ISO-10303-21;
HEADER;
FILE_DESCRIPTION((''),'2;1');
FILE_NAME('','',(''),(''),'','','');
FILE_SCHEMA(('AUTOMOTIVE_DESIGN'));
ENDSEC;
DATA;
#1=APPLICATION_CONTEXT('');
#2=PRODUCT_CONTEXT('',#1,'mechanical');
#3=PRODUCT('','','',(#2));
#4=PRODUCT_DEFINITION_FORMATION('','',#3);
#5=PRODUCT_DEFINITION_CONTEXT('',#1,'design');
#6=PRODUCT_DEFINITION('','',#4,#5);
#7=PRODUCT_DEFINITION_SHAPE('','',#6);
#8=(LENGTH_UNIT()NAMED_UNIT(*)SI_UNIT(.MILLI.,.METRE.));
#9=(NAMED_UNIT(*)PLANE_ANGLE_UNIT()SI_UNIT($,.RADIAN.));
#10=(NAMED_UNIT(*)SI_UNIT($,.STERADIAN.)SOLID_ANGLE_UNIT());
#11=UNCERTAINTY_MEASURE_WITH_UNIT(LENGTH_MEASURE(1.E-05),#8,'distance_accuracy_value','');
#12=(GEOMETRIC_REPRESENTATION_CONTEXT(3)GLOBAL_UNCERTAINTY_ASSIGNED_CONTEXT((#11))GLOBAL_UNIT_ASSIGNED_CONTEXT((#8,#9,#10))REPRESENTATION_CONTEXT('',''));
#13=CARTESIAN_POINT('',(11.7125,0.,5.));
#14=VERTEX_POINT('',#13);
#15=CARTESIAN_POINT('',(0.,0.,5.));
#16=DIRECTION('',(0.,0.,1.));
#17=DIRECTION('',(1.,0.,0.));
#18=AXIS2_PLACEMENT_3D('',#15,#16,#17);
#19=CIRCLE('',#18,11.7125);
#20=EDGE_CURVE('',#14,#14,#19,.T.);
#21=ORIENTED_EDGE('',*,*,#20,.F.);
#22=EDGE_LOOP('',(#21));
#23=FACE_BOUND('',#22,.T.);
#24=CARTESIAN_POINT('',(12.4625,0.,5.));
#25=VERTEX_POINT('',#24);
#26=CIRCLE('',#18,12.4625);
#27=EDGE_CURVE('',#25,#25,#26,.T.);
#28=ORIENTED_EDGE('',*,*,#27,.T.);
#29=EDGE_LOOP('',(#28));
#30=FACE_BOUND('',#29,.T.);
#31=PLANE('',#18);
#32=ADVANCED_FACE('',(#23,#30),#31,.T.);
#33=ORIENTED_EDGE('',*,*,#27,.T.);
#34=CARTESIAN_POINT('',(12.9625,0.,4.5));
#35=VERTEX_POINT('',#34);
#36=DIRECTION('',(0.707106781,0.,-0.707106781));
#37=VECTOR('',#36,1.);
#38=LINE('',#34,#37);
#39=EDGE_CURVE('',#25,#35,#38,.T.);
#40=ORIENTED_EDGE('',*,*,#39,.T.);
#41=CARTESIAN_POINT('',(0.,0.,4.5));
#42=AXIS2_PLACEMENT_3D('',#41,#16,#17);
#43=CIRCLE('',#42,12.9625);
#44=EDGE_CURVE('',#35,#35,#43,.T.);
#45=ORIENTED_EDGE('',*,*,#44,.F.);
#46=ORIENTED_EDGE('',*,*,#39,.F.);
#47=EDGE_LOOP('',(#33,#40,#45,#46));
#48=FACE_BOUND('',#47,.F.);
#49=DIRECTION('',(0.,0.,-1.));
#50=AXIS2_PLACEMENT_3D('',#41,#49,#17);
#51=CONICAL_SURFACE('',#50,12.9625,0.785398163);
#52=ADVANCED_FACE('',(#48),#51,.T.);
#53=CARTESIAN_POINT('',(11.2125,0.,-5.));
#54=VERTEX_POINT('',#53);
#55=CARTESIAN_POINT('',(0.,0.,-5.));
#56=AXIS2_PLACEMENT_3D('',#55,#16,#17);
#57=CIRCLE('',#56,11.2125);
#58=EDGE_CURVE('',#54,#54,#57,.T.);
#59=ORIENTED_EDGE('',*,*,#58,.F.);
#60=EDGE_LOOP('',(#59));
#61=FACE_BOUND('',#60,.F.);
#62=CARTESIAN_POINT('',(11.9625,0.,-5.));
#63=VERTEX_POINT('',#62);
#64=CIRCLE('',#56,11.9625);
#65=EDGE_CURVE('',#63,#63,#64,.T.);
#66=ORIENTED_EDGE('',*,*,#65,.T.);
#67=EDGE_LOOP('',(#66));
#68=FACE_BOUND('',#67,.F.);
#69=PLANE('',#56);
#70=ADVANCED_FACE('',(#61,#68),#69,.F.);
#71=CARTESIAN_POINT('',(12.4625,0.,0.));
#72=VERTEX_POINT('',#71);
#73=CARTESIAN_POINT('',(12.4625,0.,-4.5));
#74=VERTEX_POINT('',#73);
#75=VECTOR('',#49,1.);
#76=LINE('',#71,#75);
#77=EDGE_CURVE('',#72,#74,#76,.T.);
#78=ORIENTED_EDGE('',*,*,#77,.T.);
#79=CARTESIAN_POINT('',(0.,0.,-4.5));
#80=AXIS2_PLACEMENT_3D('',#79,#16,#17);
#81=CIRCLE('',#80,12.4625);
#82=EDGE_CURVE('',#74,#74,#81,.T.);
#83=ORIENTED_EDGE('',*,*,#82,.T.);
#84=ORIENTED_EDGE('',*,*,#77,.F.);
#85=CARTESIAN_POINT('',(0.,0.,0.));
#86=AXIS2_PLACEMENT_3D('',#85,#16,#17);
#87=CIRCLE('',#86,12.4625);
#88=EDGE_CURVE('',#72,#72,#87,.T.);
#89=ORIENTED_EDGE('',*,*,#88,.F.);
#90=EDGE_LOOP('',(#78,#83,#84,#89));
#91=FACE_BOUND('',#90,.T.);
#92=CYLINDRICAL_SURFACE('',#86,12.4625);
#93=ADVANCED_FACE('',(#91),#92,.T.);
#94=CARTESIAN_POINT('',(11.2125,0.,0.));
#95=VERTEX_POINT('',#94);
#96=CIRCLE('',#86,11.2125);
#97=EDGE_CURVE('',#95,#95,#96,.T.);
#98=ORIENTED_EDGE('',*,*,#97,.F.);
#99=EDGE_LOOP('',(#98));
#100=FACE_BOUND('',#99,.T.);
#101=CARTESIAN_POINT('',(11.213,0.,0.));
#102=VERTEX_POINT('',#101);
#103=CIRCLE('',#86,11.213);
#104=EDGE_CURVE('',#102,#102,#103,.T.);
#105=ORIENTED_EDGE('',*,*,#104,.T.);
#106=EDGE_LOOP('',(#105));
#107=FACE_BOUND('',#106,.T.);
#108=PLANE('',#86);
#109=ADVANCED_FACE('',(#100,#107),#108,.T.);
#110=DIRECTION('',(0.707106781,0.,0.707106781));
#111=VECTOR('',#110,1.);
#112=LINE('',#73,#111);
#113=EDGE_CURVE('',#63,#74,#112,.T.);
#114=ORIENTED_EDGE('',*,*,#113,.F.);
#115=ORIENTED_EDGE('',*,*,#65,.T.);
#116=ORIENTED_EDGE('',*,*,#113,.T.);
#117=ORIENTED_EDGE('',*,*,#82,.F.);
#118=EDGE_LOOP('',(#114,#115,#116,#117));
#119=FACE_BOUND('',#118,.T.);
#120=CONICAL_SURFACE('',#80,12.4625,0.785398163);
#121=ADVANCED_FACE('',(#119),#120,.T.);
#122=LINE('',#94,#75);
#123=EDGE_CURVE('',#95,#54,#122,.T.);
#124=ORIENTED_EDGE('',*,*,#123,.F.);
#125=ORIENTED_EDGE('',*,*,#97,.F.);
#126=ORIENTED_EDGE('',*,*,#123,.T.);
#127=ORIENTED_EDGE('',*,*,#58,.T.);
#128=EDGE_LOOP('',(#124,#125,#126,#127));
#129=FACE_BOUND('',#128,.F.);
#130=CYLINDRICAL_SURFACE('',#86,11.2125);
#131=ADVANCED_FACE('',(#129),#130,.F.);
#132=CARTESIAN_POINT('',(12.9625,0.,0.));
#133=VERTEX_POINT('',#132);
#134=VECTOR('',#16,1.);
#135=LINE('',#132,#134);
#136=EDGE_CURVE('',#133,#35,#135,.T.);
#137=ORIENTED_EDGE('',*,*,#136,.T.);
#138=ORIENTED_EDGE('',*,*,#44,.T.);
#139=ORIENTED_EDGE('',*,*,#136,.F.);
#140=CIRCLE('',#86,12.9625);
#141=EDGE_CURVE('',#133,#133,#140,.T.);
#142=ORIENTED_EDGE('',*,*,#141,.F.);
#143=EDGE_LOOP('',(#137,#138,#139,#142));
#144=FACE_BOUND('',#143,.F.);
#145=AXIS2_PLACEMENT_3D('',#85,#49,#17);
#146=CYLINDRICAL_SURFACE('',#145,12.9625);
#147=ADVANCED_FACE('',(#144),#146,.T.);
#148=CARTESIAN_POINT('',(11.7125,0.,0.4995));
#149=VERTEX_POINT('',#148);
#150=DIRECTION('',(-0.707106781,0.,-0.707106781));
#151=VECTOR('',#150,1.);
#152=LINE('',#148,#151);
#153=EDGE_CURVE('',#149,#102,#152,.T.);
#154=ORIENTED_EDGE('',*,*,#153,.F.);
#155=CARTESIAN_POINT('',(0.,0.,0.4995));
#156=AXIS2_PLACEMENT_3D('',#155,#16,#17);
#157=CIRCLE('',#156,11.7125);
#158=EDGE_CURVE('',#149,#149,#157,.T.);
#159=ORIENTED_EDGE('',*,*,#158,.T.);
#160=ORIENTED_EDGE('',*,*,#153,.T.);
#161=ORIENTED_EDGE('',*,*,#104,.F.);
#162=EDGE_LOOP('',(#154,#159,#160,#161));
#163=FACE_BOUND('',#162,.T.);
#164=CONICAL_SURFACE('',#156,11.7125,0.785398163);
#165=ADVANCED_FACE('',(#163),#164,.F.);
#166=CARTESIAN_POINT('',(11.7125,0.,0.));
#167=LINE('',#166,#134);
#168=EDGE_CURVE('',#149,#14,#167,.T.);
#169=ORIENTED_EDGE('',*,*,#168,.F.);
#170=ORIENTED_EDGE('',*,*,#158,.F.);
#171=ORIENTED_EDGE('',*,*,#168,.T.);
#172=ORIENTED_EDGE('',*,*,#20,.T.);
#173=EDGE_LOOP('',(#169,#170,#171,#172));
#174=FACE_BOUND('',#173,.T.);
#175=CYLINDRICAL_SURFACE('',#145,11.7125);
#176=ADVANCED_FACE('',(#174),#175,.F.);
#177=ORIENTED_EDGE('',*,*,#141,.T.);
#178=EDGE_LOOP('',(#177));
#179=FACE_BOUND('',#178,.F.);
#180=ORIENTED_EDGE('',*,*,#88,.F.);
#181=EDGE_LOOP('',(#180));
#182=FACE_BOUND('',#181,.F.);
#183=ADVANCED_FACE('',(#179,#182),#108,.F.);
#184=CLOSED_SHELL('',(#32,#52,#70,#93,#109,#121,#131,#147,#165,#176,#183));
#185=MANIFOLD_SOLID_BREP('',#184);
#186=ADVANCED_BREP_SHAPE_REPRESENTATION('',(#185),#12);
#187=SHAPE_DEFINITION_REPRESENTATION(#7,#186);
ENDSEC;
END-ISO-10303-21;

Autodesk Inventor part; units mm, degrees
ref_plane "YZ Plane" through (0, 0, 0) normal (1, 0, 0) x (0, 1, 0)
ref_plane "XZ Plane" through (0, 0, 0) normal (0, 1, 0) x (-1, 0, 0)
ref_plane "XY Plane" through (0, 0, 0) normal (0, 0, 1) x (1, 0, 0)
sketch "Sketch1" plane through (0, 0, 0) normal (0, 0, 1) x (1, 0, 0)
  circle A0 centre (0, 0) radius 12.4625
  circle A1 centre (0, 0) radius 12.9625
  circle A2 centre (0, 0) radius 11.7125
  circle A3 centre (0, 0) radius 11.2125
  dimension "d0" = 24.925
  dimension "d1" = 25.925
  dimension "d2" = 1.25
  dimension "d3" = 1.25
extrude "Extrusion1" add sketch "Sketch1" along normal blind 5 contours A0 | A1
extrude "Extrusion2" add sketch "Sketch1" against normal blind 5 contours A0 | A2
chamfer "Chamfer1" distance 0.5 angle 45 1 edges at (-11.7125, 0, 0)
chamfer "Chamfer2" distance 0.5 angle 45 2 edges at (-12.4625, 0, -5) (-12.9625, 0, 5)
properties part number "Camera Mount Adapter"
